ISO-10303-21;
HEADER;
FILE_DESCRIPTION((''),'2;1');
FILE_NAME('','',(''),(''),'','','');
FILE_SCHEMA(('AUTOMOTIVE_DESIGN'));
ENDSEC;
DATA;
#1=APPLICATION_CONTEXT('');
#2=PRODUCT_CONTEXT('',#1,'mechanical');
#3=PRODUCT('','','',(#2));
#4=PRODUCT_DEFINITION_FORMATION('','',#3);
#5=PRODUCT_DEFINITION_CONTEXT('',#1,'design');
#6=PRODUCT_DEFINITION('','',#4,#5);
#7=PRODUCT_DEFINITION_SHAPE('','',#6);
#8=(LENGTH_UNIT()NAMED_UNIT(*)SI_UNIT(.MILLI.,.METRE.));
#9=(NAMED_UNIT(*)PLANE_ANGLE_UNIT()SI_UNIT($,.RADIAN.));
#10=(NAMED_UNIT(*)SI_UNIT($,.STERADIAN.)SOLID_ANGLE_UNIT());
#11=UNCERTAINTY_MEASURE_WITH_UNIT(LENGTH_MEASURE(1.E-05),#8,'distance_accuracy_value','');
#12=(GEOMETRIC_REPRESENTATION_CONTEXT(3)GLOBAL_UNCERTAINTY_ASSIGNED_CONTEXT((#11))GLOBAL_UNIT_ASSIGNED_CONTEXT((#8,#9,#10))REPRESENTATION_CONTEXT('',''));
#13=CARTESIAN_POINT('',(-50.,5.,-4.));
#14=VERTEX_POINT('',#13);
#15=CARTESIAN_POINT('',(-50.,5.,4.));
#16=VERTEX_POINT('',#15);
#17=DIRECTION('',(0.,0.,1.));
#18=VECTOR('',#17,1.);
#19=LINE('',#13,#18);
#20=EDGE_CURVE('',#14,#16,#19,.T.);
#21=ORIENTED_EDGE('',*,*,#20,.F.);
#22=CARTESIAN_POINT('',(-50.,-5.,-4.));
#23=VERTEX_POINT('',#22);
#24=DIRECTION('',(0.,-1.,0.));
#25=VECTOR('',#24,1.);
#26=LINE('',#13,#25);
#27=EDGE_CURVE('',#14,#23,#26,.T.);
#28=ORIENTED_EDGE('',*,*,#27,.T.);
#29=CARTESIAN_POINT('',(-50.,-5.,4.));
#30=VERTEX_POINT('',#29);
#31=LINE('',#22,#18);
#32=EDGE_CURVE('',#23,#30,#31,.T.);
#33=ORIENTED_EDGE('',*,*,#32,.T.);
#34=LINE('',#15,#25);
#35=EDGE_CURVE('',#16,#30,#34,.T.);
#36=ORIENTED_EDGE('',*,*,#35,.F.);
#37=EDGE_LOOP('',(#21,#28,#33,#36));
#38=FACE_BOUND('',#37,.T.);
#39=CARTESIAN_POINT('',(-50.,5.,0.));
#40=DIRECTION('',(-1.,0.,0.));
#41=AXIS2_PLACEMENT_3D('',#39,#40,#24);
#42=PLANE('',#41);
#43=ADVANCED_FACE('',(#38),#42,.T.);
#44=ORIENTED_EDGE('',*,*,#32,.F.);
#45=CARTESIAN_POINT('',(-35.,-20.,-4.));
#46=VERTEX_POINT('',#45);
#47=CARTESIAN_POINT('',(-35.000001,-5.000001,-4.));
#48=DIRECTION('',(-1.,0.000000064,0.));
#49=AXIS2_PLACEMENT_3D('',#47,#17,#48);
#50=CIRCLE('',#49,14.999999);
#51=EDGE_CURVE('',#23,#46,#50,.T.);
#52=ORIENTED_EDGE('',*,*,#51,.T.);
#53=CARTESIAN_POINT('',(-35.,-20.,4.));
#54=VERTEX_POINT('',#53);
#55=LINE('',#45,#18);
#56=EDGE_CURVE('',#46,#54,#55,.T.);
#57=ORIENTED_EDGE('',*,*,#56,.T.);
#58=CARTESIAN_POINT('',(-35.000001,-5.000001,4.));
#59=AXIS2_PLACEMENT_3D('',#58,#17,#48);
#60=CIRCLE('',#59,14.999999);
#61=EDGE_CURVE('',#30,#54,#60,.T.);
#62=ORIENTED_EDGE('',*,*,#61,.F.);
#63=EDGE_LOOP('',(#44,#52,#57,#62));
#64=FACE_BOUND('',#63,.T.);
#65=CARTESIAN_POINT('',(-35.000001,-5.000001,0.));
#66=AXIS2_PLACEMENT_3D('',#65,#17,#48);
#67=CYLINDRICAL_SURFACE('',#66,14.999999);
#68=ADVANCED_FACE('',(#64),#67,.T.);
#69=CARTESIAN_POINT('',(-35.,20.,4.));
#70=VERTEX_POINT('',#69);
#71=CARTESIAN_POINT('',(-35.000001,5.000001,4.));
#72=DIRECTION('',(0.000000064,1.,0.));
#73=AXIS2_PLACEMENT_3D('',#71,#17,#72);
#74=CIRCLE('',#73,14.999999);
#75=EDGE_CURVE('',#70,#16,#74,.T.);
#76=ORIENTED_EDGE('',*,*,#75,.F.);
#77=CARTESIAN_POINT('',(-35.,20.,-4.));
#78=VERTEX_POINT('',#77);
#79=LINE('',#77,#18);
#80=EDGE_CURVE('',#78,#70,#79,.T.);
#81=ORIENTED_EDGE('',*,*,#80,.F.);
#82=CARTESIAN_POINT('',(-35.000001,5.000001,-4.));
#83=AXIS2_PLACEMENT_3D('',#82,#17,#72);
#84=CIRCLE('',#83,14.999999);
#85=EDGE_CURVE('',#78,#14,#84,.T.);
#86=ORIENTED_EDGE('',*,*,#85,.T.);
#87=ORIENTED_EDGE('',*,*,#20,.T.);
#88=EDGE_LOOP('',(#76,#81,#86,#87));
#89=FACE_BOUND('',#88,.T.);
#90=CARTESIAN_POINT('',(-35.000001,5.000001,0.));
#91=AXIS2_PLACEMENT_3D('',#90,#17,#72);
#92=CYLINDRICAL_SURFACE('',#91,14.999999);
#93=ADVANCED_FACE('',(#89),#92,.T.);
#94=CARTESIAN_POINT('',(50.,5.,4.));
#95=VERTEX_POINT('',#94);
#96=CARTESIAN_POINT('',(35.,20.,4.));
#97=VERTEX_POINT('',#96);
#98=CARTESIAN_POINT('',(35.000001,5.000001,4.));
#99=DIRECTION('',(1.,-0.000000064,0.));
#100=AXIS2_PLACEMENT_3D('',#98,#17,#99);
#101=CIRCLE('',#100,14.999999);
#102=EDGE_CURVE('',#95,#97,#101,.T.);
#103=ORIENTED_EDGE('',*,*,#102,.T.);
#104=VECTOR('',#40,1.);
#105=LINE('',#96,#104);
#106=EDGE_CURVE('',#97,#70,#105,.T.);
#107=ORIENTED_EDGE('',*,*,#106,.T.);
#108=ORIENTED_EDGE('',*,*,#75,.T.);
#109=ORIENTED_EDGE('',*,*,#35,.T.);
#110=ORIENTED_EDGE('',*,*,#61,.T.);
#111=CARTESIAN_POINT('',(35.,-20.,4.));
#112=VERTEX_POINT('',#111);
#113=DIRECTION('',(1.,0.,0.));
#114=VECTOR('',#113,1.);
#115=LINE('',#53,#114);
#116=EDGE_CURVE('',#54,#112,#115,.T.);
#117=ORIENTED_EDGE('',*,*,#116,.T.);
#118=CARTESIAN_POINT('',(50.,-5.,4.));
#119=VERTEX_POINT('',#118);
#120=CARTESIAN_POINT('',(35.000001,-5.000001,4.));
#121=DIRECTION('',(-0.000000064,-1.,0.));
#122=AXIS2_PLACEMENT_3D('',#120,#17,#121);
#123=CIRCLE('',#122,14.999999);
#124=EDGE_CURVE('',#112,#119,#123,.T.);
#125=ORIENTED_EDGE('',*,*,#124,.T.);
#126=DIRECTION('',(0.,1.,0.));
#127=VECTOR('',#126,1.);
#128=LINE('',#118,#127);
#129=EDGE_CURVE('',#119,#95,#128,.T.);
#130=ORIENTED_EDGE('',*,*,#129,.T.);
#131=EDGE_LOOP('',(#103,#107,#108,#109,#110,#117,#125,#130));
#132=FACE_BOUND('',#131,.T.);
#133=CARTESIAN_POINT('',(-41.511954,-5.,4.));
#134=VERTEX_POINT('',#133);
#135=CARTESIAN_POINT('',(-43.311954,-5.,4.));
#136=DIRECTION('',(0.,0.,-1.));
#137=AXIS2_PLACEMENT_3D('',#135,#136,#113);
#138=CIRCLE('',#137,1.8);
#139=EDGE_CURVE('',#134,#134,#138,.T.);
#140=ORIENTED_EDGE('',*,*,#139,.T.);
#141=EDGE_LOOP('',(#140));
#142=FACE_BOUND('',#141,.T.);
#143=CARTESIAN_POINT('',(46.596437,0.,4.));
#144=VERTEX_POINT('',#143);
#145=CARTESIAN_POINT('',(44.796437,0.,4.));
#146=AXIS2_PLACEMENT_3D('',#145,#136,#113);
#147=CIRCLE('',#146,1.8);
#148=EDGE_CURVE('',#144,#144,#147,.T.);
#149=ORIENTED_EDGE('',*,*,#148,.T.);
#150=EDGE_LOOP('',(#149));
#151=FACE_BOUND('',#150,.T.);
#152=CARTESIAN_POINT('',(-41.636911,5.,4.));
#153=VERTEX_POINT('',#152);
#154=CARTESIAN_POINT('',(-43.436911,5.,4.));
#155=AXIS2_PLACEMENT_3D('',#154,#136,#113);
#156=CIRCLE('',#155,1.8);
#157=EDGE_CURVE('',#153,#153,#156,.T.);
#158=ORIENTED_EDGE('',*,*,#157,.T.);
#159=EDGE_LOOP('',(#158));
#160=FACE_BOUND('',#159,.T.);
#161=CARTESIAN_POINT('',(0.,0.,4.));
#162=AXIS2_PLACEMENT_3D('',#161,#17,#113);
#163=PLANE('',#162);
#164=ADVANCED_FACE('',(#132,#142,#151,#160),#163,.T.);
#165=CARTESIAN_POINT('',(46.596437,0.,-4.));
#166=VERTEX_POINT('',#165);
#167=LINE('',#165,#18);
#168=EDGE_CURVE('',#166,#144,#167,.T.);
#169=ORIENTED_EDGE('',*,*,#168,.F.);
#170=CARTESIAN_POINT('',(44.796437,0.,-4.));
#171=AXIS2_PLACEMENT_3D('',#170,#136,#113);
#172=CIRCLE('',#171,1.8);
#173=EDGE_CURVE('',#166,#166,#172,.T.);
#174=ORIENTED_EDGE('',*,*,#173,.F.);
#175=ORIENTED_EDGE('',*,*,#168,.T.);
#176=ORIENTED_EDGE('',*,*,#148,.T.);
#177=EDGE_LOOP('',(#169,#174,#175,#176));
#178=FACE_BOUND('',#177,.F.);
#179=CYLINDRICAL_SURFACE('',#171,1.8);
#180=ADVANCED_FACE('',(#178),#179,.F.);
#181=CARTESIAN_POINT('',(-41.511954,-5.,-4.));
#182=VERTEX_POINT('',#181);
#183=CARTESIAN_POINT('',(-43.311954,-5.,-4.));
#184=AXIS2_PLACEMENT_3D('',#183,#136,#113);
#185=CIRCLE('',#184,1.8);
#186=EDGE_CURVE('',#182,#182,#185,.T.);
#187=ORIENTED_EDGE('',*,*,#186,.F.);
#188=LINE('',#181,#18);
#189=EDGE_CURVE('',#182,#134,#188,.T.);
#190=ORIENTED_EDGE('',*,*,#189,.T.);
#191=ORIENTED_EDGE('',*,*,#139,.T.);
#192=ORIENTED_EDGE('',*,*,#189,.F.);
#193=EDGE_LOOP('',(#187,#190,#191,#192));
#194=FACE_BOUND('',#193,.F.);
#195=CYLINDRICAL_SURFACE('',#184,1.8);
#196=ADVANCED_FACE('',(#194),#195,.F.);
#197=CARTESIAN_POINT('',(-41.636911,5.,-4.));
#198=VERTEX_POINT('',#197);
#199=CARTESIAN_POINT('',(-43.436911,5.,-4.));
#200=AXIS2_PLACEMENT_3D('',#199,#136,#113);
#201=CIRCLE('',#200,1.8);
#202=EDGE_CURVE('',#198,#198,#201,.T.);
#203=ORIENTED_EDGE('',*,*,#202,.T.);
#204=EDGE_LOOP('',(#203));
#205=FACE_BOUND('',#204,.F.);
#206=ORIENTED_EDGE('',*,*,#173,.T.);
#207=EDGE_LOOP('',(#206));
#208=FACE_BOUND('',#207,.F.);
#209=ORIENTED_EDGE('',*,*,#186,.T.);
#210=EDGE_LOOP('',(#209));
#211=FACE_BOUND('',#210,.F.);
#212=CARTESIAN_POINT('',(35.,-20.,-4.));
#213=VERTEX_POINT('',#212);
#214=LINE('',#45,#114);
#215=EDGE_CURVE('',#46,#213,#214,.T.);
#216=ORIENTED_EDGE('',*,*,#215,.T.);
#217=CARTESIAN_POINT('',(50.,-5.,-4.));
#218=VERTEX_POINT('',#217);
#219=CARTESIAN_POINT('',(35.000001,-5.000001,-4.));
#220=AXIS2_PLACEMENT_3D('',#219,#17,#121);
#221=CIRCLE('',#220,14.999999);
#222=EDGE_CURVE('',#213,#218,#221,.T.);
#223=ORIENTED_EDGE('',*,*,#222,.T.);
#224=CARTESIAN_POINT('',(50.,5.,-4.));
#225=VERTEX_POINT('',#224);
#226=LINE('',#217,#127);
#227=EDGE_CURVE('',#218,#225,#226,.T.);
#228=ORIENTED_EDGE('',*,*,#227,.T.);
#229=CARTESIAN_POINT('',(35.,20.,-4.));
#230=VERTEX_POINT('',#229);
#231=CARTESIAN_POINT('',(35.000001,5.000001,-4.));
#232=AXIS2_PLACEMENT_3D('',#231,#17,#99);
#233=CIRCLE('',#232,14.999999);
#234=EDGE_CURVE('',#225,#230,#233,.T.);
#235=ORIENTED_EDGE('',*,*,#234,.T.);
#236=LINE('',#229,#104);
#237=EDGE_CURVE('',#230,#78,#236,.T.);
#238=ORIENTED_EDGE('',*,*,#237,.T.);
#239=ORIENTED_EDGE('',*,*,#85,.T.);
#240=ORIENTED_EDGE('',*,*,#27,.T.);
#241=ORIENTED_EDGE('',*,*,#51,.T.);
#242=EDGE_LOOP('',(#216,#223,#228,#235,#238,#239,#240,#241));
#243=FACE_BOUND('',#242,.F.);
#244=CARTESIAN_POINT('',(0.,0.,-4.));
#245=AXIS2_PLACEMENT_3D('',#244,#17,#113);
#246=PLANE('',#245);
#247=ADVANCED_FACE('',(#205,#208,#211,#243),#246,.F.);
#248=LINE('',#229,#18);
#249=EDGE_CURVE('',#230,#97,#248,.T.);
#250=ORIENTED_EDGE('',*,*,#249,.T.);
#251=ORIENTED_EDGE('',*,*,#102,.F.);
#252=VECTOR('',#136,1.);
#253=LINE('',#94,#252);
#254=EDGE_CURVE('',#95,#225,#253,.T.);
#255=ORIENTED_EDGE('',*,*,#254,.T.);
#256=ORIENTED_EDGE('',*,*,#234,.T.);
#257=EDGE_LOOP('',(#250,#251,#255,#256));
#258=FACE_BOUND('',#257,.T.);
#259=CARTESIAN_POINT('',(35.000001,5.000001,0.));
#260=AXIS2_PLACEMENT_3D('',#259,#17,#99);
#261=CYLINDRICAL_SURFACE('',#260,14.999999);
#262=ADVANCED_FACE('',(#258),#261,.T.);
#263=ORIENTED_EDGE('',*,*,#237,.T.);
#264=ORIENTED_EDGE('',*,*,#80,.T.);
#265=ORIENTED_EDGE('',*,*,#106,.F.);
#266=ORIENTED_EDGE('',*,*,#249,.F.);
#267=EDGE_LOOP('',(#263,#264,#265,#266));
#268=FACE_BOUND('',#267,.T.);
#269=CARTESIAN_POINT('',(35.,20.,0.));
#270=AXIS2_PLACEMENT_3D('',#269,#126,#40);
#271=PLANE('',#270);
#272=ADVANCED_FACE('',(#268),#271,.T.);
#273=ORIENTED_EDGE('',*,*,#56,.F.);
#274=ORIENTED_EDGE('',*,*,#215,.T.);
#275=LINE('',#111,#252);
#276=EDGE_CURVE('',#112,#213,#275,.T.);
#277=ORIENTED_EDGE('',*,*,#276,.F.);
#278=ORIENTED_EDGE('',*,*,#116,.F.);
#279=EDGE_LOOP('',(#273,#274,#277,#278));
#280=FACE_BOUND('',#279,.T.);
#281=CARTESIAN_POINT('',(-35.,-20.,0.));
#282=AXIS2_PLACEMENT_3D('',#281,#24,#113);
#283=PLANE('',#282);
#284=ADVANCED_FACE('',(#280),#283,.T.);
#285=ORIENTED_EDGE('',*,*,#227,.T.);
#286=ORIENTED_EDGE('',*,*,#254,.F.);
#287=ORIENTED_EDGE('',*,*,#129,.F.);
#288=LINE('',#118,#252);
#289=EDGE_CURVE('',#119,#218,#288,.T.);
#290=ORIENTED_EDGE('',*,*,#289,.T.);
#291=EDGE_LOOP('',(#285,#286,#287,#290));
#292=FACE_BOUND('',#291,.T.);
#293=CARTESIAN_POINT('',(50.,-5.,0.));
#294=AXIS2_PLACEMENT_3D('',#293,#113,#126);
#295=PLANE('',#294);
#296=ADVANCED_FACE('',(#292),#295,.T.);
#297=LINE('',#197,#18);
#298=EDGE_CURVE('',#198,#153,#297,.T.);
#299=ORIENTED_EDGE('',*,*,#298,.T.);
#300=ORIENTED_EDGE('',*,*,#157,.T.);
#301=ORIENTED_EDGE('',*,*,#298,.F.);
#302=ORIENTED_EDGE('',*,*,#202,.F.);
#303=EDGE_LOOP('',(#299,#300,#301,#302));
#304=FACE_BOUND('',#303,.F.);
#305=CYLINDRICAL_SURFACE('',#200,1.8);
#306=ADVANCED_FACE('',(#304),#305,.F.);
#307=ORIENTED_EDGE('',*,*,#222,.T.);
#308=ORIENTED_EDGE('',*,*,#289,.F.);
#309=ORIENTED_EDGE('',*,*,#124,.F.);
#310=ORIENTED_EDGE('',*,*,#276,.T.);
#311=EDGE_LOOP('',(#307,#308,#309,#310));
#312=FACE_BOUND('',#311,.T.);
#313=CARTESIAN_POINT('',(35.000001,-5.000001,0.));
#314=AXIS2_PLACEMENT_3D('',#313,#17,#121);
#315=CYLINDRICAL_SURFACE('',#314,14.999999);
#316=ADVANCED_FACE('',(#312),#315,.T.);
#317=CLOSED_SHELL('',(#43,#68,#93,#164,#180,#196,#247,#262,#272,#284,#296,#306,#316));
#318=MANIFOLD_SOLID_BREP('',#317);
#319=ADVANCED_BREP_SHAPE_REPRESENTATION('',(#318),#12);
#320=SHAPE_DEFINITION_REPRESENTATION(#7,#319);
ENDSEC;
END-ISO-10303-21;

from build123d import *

# Parameters (mm, degrees)
F1_DEPTH = 4
F2_R     = 1.8
F4_DEPTH = 8
F3_R     = 1.8
F5_DEPTH = 8


with BuildPart() as f1:
    # F0 (on Top) → F1 (new body, symmetric)
    with BuildSketch(Plane.XY):
        with BuildLine():
            ThreePointArc((50, 5), (45.606602, 15.606602), (35, 20))
            Line((35, 20), (-35, 20))
            ThreePointArc((-35, 20), (-45.606602, 15.606602), (-50, 5))
            Line((-50, 5), (-50, -5))
            ThreePointArc((-50, -5), (-45.606602, -15.606602), (-35, -20))
            Line((-35, -20), (35, -20))
            ThreePointArc((35, -20), (45.606602, -15.606602), (50, -5))
            Line((50, -5), (50, 5))
        make_face()
    extrude(amount=F1_DEPTH, both=True)

    # F2 (on face) → F4 (cut)
    with BuildSketch(Plane(origin=(0, 0, -4), x_dir=(1, 0, 0), z_dir=(0, 0, -1))):
        with Locations((-43.311954, 5)):
            Circle(F2_R)
        with Locations((-43.436911, -5)):
            Circle(F2_R)
    extrude(amount=-F4_DEPTH, mode=Mode.SUBTRACT)

    # F3 (on face) → F5 (cut)
    with BuildSketch(Plane(origin=(0, 0, -4), x_dir=(1, 0, 0), z_dir=(0, 0, -1))):
        with Locations((44.796437, 0)):
            Circle(F3_R)
    extrude(amount=-F5_DEPTH, mode=Mode.SUBTRACT)


solid = f1.part
